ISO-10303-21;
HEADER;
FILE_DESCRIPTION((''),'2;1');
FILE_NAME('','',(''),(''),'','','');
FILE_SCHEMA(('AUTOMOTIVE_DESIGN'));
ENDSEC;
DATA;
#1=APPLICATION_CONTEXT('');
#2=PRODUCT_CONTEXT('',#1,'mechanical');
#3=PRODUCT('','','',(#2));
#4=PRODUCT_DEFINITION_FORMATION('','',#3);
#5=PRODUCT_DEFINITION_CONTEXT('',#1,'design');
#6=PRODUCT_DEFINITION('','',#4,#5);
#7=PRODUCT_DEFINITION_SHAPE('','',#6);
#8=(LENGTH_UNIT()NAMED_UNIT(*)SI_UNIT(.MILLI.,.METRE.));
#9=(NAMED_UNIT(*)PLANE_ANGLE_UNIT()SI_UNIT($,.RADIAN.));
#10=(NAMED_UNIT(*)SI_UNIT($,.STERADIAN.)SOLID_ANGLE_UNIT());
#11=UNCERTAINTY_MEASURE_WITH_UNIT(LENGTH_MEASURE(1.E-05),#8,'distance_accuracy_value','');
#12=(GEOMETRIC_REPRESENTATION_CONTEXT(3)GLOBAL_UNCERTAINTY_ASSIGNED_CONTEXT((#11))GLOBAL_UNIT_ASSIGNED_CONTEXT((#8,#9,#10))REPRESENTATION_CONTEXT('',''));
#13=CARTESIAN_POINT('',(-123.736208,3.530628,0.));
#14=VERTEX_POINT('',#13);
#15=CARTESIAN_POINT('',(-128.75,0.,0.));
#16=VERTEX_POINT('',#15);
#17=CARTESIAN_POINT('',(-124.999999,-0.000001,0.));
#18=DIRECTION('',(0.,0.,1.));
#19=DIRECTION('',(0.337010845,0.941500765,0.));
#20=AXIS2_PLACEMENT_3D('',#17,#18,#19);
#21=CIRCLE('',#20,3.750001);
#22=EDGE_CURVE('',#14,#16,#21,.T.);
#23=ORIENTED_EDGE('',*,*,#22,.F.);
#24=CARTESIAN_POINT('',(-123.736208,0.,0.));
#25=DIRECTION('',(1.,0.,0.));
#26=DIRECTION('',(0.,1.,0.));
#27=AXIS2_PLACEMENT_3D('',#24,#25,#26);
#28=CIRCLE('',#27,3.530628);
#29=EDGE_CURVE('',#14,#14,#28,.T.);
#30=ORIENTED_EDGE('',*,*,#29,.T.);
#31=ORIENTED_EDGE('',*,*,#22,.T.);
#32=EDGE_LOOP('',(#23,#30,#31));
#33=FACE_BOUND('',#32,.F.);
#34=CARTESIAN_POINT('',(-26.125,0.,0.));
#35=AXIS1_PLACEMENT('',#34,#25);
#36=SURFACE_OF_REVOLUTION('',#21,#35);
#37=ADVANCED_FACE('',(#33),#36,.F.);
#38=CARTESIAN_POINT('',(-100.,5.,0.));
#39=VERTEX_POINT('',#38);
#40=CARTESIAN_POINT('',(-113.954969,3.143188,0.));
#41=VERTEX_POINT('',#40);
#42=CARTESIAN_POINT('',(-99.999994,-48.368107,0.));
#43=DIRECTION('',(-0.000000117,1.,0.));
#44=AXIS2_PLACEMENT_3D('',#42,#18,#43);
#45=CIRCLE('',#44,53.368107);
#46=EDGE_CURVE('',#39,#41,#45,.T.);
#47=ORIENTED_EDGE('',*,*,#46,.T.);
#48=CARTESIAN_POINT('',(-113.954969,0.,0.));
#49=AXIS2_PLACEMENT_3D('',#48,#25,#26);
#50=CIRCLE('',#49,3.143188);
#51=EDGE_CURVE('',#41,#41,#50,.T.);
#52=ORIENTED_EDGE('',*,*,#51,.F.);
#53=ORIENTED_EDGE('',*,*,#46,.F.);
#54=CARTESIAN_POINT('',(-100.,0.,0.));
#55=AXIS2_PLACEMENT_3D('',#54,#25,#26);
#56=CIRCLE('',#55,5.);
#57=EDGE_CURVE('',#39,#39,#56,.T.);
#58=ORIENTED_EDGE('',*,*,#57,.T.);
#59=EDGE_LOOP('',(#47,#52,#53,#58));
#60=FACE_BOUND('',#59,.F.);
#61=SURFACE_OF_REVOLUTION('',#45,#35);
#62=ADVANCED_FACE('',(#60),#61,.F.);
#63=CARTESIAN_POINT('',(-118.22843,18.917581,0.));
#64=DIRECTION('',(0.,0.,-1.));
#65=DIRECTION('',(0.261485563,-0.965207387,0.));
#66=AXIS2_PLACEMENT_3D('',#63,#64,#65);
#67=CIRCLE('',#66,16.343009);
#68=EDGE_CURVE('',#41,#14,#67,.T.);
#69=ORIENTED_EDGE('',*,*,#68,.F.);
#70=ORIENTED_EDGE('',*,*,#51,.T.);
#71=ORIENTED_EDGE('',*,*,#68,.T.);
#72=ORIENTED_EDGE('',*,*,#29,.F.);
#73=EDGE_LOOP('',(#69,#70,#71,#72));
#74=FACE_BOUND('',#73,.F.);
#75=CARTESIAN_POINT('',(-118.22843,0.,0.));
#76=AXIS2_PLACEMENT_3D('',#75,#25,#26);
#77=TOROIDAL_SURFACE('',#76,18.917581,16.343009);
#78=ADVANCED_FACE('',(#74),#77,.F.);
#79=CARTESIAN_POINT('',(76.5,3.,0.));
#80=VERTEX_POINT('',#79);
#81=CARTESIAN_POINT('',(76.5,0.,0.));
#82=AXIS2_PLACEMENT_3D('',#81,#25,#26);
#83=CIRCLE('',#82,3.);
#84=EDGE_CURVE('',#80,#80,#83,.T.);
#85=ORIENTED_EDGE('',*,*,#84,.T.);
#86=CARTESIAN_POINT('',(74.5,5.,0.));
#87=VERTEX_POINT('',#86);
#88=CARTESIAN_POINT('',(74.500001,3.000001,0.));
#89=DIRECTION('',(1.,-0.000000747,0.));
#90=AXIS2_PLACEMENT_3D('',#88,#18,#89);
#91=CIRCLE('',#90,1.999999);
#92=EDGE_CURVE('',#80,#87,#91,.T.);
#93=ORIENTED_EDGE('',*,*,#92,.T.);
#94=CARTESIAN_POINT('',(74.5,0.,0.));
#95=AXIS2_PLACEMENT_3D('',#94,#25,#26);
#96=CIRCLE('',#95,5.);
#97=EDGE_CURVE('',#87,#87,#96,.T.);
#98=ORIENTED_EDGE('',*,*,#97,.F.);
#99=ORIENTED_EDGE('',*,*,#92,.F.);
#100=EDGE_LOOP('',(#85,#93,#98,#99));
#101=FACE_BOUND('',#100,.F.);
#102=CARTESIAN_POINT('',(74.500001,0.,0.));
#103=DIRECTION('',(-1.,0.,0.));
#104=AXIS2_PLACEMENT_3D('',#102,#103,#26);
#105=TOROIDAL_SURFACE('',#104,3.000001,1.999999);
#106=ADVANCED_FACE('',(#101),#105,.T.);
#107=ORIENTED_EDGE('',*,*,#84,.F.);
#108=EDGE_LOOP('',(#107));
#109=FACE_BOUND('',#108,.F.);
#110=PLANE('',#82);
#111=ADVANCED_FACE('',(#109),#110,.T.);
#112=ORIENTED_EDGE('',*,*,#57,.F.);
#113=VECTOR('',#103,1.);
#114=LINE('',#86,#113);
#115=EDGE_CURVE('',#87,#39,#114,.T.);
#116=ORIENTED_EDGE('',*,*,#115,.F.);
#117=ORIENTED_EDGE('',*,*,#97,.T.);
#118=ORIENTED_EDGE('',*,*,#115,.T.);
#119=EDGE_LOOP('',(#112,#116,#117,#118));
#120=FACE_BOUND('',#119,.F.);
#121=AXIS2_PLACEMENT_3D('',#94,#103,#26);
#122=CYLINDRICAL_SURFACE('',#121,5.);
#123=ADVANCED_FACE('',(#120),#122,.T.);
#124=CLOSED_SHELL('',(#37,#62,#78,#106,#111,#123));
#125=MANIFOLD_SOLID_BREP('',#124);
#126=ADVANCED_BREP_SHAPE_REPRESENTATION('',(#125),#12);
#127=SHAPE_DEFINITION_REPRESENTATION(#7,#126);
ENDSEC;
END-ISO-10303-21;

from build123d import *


with BuildPart() as f1:
    # F0 (on Top) → F1 (revolve)
    with BuildSketch(Plane.XY):
        with BuildLine():
            ThreePointArc((76.5, 3), (75.914214, 4.414214), (74.5, 5))
            Line((74.5, 5), (-100, 5))
            ThreePointArc((-100, 5), (-107.038979, 4.53376), (-113.954969, 3.143188))
            ThreePointArc((-113.954969, 3.143188), (-118.875278, 2.587378), (-123.736208, 3.530628))
            ThreePointArc((-123.736208, 3.530628), (-127.159083, 3.066082), (-128.75, 0))
            Line((-128.75, 0), (76.5, 0))
            Line((76.5, 0), (76.5, 3))
        make_face()
    revolve(axis=Axis((-26.125, 0, 0), (1, 0, 0)))


solid = f1.part
